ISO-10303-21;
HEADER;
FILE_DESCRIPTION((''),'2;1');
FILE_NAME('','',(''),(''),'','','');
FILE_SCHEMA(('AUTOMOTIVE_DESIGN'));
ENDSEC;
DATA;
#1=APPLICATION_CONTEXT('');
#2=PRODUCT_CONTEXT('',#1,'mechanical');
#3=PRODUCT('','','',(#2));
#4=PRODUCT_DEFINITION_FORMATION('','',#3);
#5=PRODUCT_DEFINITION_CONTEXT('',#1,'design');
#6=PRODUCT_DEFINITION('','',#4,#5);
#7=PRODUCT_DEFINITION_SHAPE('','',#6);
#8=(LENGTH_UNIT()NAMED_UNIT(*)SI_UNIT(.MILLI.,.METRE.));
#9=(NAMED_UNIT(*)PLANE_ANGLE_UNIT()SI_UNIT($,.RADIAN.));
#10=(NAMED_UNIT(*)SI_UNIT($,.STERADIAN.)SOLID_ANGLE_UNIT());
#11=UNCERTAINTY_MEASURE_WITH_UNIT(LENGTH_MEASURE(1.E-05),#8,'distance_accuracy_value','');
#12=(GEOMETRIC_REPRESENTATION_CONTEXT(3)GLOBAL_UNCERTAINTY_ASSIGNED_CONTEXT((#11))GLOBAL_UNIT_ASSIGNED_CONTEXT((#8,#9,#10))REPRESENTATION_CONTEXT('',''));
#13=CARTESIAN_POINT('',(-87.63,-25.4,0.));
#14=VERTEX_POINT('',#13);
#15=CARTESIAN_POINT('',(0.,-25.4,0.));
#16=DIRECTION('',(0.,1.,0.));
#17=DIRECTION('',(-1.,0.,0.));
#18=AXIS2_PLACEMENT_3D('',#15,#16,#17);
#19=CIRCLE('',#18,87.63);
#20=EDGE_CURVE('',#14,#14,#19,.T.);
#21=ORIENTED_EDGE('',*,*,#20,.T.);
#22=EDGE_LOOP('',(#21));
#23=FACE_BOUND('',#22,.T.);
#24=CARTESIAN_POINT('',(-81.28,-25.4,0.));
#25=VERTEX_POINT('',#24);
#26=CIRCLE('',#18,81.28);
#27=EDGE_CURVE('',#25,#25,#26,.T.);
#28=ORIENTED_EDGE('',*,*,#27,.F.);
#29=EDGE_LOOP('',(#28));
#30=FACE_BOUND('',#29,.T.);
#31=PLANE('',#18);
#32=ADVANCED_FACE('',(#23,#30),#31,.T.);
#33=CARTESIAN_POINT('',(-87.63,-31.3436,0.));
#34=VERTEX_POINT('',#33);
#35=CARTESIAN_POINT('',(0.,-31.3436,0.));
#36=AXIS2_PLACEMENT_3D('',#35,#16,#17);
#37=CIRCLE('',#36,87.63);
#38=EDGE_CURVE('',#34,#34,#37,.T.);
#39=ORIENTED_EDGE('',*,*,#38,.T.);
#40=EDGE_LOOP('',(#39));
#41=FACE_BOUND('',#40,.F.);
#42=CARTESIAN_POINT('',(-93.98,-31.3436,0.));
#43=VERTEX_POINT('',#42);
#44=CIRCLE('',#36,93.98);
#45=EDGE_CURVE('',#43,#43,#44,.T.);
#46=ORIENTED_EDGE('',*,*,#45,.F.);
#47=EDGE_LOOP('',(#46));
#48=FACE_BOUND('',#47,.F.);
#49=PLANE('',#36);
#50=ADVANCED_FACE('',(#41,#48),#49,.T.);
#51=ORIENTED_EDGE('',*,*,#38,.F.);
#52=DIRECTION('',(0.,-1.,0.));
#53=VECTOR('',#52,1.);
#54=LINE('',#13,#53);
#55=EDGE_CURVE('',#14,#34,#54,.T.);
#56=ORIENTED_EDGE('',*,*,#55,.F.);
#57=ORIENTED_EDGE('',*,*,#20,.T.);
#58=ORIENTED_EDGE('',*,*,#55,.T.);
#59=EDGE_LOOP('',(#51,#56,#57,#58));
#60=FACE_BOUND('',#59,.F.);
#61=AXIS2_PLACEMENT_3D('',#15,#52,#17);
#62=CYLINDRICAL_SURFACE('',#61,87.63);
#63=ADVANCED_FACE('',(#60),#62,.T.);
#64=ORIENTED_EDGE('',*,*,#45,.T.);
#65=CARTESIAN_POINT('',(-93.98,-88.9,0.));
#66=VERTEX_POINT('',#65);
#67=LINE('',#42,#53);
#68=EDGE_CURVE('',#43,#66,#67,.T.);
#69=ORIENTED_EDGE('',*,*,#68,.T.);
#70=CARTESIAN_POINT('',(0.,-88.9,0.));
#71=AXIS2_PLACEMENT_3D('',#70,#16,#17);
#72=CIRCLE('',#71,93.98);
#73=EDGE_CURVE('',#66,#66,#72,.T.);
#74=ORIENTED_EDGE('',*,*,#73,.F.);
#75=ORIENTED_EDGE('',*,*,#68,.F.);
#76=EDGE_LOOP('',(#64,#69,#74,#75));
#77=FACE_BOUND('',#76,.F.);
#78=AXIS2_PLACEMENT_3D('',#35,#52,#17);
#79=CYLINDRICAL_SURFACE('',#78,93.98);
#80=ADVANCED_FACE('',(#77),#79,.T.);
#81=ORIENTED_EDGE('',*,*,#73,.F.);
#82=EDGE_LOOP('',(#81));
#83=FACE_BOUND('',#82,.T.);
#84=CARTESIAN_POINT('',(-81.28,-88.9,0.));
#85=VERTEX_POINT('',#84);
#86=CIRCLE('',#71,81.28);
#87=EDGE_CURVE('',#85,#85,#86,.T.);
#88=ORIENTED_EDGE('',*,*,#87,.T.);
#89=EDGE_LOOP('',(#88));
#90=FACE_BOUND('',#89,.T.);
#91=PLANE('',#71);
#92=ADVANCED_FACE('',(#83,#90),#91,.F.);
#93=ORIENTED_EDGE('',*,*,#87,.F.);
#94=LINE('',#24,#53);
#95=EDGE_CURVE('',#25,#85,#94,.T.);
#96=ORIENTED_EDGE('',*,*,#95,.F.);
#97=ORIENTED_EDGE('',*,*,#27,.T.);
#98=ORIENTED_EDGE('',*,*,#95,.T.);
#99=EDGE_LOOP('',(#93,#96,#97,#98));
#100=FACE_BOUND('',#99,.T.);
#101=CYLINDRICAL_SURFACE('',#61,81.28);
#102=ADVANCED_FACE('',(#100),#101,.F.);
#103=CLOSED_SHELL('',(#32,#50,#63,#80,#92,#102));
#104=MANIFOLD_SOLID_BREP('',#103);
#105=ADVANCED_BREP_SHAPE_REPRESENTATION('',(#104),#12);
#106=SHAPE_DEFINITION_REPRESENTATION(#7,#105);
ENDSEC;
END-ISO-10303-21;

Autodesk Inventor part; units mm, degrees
ref_plane "YZ Plane" through (0, 0, 0) normal (1, 0, 0) x (0, 1, 0)
ref_plane "XZ Plane" through (0, 0, 0) normal (0, 1, 0) x (-1, 0, 0)
ref_plane "XY Plane" through (0, 0, 0) normal (0, 0, 1) x (1, 0, 0)
sketch "Sketch1" plane through (0, 0, 0) normal (0, 0, 1) x (1, 0, 0)
  line L0 (0, 25.4) -> (-28.702, 25.4) construction
  line L1 (0, 25.4) -> (-93.98, 25.4) construction
  line L2 (-93.98, 25.4) -> (-90.805, 25.4) construction
  line L3 (-90.805, 25.4) -> (-84.455, 22.4389) construction
  line L4 (-90.805, 25.4) -> (-90.805, 22.4389) construction
  line L5 (-90.805, 0) -> (-93.98, 0)
  line L6 (-28.702, 59.6457) -> (-28.702, -91.9304) construction
  arc A0 (-28.9184, -9.248) -> (-32.3684, -1.8494) centre (-35.052, -7.6045) ccw
  line L7 (-74.93, -180.9657) -> (-28.702, -8.4405)
  line L8 (-90.805, 25.4) -> (-90.805, 0)
  line L9 (-90.805, 25.4) -> (-32.3684, -1.8494)
  line L10 (-28.702, -7.6045) -> (-60.452, -7.6045) construction
  line L11 (-60.452, 11.2462) -> (-60.452, -126.9331) construction
  line L12 (-60.452, -126.9331) -> (-54.102, -126.9331) construction
  line L13 (-54.102, -126.9331) -> (-54.102, -103.2346) construction
  line L14 (-54.102, -103.2346) -> (-60.452, -103.2346)
  line L15 (-60.452, 11.2462) -> (-60.452, 1.7212) construction
  line L16 (-60.452, 11.2462) -> (-60.452, 4.7154) construction
  line L17 (-60.452, 4.7154) -> (-46.4468, 4.7154)
  line L18 (-60.452, 4.7154) -> (-60.452, -103.2346)
  line L19 (-93.98, 0) -> (-93.98, -12.7) construction
  line L20 (-60.452, -12.7) -> (-73.152, -12.7) construction
  line L21 (-93.98, -12.7) -> (-93.98, -25.4) construction
  line L22 (-93.98, -25.4) -> (-93.98, -88.9) construction
  line L23 (-93.98, -88.9) -> (-81.28, -88.9) construction
  line L24 (-81.28, -88.9) -> (-81.28, -25.4) construction
  line L25 (-93.98, -25.4) -> (-81.28, -25.4)
  line L26 (-81.28, -25.4) -> (-81.28, -88.9)
  line L27 (-81.28, -88.9) -> (-93.98, -88.9)
  line L28 (-93.98, -12.7) -> (-73.152, -12.7)
  line L29 (-73.152, -138.7824) -> (-63.627, -138.7824)
  line L30 (-81.28, -88.9) -> (-81.28, -180.9657)
  line L31 (-81.28, -180.9657) -> (-74.93, -180.9657)
  line L32 (-73.152, -12.7) -> (-73.152, -138.7824)
  line L33 (-87.63, -25.4) -> (-87.63, -31.3436)
  line L34 (-87.63, -31.3436) -> (-93.98, -31.3436)
  line L35 (-93.98, 0) -> (-93.98, -25.4)
  line L36 (-93.98, -31.3436) -> (-93.98, -88.9)
  line L37 (-87.63, -155.5657) -> (-87.63, -216.5135)
  line L38 (-28.9184, -9.248) -> (-84.455, -216.5135)
  line L39 (-84.455, -216.5135) -> (-87.63, -216.5135)
  line L40 (-81.28, -155.5657) -> (-87.63, -155.5657)
  line L41 (-60.452, 4.7154) -> (-60.452, -7.6045)
  line L42 (-66.802, -38.1) -> (-73.152, -38.1)
  line L43 (-66.802, -38.1) -> (-66.802, 4.7154)
  line L44 (-66.802, 4.7154) -> (-60.452, 4.7154)
  line L45 (0, -319.0244) -> (0, 122.7573) projected
  point P0 (0, 0)
  point P1 (-93.98, -255.9127)
  point P2 (-88.7095, 22.4389)
  dimension "d0" = 28.702
  dimension "d1" = 93.98
  dimension "d2" = 3.175
  dimension "d3" = 25
  dimension "d5" = 25.4
  dimension "d6" = 25.4
  dimension "d8" = 12.7
  dimension "d12" = 31.75
  dimension "d13" = 6.35
  dimension "d16" = 12.7
  dimension "d17" = 12.7
  dimension "d18" = 12.7
  dimension "d19" = 63.5
  dimension "d20" = 12.7
  dimension "d22" = 9.525
  dimension "d23" = 6.35
  dimension "d25" = 5.9436
  dimension "d26" = 15
  dimension "d27" = 3.175
  dimension "d28" = 6.35
  dimension "d29" = 25.4
  dimension "d30" = 107.95
  dimension "d31" = 6.35
  dimension "d32" = 25.4
revolve "Revolution1" add sketch "Sketch1" angle 360 about axis through (0, -10, 0) along (0, 1, 0) contours L25 L26 L27 L36 L34 L33
properties part number "retainer" material "Aluminum 6061"
